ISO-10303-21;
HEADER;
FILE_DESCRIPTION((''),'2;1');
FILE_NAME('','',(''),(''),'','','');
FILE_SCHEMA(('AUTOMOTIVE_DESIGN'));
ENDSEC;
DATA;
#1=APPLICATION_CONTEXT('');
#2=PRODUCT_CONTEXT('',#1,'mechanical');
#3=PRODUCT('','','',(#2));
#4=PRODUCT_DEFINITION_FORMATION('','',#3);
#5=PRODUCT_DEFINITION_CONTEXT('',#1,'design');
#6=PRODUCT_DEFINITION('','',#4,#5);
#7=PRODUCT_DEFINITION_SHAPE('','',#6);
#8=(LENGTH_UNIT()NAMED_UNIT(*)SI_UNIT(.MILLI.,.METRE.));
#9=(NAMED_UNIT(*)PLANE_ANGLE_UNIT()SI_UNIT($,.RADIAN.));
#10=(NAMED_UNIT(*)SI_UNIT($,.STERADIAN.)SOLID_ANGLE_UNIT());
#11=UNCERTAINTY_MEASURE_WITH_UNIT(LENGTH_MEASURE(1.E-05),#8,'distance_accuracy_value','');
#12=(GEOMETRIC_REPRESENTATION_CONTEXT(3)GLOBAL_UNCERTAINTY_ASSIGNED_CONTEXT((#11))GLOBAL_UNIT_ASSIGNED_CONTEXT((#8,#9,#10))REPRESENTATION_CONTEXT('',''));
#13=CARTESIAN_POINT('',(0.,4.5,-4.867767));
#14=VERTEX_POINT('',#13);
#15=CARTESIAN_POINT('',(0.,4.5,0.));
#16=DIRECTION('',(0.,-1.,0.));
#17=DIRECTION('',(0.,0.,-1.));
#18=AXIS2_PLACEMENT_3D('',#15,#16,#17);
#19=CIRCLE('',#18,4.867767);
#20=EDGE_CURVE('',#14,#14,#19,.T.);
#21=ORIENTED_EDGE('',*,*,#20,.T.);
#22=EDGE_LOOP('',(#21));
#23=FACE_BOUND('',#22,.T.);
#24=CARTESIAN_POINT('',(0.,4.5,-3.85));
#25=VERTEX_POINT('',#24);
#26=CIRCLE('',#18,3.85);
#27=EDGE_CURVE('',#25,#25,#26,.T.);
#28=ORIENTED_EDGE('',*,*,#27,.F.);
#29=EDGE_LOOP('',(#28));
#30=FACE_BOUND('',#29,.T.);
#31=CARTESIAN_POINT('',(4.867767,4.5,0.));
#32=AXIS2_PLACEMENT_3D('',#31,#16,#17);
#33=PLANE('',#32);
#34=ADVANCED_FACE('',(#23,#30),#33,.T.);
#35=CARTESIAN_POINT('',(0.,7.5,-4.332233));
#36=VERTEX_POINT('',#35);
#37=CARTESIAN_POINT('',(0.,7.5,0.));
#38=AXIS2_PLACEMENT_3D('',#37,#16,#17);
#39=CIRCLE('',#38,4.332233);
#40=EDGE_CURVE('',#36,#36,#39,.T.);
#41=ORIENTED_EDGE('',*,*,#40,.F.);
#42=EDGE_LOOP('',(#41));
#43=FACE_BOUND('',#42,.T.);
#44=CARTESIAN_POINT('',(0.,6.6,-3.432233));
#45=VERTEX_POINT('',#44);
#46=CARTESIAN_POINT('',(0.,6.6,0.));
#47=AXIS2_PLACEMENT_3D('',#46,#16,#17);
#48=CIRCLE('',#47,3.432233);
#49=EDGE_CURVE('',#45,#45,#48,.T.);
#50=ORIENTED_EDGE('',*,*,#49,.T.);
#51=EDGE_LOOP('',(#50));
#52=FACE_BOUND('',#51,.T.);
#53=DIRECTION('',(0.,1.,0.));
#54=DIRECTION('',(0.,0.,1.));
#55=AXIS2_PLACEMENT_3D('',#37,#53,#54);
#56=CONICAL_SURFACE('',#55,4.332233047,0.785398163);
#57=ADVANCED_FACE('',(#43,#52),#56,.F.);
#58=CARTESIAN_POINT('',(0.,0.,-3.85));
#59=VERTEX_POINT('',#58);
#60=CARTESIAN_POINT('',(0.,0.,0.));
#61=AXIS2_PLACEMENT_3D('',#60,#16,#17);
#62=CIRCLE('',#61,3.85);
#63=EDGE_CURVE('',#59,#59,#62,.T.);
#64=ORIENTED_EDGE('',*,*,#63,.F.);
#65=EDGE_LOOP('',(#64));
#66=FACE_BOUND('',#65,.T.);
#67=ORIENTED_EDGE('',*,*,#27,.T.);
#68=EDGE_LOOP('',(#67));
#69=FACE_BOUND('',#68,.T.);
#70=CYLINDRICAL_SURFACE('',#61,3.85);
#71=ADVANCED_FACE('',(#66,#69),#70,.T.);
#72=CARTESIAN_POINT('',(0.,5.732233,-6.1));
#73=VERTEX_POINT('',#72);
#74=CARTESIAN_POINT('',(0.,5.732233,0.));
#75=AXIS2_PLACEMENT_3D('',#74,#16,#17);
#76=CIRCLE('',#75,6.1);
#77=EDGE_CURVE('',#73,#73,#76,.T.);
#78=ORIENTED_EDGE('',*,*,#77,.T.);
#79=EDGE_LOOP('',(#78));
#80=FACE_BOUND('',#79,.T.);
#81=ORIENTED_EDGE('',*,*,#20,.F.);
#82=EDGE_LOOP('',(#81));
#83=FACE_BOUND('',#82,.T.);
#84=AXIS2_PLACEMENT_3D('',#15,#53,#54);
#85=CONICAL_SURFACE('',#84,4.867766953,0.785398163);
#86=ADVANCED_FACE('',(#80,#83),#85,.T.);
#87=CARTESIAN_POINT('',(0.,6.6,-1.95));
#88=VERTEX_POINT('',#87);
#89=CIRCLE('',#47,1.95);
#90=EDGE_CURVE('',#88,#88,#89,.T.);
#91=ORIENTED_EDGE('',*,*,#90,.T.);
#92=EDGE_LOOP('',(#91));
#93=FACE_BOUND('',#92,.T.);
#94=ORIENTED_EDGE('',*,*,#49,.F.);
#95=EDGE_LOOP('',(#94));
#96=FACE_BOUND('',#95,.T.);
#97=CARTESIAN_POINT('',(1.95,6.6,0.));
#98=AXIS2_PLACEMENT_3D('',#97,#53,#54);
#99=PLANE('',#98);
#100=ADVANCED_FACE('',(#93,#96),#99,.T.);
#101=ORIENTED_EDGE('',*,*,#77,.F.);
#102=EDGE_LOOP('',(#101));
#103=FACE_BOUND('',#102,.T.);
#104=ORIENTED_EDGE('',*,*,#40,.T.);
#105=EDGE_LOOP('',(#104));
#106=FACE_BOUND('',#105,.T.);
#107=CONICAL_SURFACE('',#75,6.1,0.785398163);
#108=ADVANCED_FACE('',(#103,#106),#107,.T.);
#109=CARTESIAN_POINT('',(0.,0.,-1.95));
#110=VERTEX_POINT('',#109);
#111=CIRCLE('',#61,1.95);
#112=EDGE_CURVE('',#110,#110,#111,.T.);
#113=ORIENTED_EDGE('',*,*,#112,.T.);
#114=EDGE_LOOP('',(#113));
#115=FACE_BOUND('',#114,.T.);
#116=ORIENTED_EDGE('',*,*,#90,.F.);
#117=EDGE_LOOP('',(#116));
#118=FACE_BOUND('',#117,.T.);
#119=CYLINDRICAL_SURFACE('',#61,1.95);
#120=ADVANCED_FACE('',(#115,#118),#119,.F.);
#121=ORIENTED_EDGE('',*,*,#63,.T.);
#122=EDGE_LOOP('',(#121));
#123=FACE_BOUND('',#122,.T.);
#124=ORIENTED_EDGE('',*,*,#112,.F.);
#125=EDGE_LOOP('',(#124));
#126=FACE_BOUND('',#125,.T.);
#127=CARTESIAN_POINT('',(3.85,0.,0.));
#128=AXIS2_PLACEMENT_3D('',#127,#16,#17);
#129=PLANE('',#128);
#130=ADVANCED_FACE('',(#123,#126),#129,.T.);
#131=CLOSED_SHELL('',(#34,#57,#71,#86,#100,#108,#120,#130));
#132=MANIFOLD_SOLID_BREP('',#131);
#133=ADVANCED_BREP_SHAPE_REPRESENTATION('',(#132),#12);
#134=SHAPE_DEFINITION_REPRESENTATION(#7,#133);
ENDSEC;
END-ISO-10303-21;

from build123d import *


with BuildPart() as part:
    # Sketch1 → Revolve1 (revolve)
    with BuildSketch(Plane.XY):
        Polygon((1.95, 0), (1.95, 6.6), (3.432233047, 6.6), (4.332233047, 7.5), (6.1, 5.732233047), (4.867766953, 4.5), (3.85, 4.5), (3.85, 0), align=None)
    revolve(axis=Axis((0, 0, 0), (0, 1, 0)))


solid = part.part
